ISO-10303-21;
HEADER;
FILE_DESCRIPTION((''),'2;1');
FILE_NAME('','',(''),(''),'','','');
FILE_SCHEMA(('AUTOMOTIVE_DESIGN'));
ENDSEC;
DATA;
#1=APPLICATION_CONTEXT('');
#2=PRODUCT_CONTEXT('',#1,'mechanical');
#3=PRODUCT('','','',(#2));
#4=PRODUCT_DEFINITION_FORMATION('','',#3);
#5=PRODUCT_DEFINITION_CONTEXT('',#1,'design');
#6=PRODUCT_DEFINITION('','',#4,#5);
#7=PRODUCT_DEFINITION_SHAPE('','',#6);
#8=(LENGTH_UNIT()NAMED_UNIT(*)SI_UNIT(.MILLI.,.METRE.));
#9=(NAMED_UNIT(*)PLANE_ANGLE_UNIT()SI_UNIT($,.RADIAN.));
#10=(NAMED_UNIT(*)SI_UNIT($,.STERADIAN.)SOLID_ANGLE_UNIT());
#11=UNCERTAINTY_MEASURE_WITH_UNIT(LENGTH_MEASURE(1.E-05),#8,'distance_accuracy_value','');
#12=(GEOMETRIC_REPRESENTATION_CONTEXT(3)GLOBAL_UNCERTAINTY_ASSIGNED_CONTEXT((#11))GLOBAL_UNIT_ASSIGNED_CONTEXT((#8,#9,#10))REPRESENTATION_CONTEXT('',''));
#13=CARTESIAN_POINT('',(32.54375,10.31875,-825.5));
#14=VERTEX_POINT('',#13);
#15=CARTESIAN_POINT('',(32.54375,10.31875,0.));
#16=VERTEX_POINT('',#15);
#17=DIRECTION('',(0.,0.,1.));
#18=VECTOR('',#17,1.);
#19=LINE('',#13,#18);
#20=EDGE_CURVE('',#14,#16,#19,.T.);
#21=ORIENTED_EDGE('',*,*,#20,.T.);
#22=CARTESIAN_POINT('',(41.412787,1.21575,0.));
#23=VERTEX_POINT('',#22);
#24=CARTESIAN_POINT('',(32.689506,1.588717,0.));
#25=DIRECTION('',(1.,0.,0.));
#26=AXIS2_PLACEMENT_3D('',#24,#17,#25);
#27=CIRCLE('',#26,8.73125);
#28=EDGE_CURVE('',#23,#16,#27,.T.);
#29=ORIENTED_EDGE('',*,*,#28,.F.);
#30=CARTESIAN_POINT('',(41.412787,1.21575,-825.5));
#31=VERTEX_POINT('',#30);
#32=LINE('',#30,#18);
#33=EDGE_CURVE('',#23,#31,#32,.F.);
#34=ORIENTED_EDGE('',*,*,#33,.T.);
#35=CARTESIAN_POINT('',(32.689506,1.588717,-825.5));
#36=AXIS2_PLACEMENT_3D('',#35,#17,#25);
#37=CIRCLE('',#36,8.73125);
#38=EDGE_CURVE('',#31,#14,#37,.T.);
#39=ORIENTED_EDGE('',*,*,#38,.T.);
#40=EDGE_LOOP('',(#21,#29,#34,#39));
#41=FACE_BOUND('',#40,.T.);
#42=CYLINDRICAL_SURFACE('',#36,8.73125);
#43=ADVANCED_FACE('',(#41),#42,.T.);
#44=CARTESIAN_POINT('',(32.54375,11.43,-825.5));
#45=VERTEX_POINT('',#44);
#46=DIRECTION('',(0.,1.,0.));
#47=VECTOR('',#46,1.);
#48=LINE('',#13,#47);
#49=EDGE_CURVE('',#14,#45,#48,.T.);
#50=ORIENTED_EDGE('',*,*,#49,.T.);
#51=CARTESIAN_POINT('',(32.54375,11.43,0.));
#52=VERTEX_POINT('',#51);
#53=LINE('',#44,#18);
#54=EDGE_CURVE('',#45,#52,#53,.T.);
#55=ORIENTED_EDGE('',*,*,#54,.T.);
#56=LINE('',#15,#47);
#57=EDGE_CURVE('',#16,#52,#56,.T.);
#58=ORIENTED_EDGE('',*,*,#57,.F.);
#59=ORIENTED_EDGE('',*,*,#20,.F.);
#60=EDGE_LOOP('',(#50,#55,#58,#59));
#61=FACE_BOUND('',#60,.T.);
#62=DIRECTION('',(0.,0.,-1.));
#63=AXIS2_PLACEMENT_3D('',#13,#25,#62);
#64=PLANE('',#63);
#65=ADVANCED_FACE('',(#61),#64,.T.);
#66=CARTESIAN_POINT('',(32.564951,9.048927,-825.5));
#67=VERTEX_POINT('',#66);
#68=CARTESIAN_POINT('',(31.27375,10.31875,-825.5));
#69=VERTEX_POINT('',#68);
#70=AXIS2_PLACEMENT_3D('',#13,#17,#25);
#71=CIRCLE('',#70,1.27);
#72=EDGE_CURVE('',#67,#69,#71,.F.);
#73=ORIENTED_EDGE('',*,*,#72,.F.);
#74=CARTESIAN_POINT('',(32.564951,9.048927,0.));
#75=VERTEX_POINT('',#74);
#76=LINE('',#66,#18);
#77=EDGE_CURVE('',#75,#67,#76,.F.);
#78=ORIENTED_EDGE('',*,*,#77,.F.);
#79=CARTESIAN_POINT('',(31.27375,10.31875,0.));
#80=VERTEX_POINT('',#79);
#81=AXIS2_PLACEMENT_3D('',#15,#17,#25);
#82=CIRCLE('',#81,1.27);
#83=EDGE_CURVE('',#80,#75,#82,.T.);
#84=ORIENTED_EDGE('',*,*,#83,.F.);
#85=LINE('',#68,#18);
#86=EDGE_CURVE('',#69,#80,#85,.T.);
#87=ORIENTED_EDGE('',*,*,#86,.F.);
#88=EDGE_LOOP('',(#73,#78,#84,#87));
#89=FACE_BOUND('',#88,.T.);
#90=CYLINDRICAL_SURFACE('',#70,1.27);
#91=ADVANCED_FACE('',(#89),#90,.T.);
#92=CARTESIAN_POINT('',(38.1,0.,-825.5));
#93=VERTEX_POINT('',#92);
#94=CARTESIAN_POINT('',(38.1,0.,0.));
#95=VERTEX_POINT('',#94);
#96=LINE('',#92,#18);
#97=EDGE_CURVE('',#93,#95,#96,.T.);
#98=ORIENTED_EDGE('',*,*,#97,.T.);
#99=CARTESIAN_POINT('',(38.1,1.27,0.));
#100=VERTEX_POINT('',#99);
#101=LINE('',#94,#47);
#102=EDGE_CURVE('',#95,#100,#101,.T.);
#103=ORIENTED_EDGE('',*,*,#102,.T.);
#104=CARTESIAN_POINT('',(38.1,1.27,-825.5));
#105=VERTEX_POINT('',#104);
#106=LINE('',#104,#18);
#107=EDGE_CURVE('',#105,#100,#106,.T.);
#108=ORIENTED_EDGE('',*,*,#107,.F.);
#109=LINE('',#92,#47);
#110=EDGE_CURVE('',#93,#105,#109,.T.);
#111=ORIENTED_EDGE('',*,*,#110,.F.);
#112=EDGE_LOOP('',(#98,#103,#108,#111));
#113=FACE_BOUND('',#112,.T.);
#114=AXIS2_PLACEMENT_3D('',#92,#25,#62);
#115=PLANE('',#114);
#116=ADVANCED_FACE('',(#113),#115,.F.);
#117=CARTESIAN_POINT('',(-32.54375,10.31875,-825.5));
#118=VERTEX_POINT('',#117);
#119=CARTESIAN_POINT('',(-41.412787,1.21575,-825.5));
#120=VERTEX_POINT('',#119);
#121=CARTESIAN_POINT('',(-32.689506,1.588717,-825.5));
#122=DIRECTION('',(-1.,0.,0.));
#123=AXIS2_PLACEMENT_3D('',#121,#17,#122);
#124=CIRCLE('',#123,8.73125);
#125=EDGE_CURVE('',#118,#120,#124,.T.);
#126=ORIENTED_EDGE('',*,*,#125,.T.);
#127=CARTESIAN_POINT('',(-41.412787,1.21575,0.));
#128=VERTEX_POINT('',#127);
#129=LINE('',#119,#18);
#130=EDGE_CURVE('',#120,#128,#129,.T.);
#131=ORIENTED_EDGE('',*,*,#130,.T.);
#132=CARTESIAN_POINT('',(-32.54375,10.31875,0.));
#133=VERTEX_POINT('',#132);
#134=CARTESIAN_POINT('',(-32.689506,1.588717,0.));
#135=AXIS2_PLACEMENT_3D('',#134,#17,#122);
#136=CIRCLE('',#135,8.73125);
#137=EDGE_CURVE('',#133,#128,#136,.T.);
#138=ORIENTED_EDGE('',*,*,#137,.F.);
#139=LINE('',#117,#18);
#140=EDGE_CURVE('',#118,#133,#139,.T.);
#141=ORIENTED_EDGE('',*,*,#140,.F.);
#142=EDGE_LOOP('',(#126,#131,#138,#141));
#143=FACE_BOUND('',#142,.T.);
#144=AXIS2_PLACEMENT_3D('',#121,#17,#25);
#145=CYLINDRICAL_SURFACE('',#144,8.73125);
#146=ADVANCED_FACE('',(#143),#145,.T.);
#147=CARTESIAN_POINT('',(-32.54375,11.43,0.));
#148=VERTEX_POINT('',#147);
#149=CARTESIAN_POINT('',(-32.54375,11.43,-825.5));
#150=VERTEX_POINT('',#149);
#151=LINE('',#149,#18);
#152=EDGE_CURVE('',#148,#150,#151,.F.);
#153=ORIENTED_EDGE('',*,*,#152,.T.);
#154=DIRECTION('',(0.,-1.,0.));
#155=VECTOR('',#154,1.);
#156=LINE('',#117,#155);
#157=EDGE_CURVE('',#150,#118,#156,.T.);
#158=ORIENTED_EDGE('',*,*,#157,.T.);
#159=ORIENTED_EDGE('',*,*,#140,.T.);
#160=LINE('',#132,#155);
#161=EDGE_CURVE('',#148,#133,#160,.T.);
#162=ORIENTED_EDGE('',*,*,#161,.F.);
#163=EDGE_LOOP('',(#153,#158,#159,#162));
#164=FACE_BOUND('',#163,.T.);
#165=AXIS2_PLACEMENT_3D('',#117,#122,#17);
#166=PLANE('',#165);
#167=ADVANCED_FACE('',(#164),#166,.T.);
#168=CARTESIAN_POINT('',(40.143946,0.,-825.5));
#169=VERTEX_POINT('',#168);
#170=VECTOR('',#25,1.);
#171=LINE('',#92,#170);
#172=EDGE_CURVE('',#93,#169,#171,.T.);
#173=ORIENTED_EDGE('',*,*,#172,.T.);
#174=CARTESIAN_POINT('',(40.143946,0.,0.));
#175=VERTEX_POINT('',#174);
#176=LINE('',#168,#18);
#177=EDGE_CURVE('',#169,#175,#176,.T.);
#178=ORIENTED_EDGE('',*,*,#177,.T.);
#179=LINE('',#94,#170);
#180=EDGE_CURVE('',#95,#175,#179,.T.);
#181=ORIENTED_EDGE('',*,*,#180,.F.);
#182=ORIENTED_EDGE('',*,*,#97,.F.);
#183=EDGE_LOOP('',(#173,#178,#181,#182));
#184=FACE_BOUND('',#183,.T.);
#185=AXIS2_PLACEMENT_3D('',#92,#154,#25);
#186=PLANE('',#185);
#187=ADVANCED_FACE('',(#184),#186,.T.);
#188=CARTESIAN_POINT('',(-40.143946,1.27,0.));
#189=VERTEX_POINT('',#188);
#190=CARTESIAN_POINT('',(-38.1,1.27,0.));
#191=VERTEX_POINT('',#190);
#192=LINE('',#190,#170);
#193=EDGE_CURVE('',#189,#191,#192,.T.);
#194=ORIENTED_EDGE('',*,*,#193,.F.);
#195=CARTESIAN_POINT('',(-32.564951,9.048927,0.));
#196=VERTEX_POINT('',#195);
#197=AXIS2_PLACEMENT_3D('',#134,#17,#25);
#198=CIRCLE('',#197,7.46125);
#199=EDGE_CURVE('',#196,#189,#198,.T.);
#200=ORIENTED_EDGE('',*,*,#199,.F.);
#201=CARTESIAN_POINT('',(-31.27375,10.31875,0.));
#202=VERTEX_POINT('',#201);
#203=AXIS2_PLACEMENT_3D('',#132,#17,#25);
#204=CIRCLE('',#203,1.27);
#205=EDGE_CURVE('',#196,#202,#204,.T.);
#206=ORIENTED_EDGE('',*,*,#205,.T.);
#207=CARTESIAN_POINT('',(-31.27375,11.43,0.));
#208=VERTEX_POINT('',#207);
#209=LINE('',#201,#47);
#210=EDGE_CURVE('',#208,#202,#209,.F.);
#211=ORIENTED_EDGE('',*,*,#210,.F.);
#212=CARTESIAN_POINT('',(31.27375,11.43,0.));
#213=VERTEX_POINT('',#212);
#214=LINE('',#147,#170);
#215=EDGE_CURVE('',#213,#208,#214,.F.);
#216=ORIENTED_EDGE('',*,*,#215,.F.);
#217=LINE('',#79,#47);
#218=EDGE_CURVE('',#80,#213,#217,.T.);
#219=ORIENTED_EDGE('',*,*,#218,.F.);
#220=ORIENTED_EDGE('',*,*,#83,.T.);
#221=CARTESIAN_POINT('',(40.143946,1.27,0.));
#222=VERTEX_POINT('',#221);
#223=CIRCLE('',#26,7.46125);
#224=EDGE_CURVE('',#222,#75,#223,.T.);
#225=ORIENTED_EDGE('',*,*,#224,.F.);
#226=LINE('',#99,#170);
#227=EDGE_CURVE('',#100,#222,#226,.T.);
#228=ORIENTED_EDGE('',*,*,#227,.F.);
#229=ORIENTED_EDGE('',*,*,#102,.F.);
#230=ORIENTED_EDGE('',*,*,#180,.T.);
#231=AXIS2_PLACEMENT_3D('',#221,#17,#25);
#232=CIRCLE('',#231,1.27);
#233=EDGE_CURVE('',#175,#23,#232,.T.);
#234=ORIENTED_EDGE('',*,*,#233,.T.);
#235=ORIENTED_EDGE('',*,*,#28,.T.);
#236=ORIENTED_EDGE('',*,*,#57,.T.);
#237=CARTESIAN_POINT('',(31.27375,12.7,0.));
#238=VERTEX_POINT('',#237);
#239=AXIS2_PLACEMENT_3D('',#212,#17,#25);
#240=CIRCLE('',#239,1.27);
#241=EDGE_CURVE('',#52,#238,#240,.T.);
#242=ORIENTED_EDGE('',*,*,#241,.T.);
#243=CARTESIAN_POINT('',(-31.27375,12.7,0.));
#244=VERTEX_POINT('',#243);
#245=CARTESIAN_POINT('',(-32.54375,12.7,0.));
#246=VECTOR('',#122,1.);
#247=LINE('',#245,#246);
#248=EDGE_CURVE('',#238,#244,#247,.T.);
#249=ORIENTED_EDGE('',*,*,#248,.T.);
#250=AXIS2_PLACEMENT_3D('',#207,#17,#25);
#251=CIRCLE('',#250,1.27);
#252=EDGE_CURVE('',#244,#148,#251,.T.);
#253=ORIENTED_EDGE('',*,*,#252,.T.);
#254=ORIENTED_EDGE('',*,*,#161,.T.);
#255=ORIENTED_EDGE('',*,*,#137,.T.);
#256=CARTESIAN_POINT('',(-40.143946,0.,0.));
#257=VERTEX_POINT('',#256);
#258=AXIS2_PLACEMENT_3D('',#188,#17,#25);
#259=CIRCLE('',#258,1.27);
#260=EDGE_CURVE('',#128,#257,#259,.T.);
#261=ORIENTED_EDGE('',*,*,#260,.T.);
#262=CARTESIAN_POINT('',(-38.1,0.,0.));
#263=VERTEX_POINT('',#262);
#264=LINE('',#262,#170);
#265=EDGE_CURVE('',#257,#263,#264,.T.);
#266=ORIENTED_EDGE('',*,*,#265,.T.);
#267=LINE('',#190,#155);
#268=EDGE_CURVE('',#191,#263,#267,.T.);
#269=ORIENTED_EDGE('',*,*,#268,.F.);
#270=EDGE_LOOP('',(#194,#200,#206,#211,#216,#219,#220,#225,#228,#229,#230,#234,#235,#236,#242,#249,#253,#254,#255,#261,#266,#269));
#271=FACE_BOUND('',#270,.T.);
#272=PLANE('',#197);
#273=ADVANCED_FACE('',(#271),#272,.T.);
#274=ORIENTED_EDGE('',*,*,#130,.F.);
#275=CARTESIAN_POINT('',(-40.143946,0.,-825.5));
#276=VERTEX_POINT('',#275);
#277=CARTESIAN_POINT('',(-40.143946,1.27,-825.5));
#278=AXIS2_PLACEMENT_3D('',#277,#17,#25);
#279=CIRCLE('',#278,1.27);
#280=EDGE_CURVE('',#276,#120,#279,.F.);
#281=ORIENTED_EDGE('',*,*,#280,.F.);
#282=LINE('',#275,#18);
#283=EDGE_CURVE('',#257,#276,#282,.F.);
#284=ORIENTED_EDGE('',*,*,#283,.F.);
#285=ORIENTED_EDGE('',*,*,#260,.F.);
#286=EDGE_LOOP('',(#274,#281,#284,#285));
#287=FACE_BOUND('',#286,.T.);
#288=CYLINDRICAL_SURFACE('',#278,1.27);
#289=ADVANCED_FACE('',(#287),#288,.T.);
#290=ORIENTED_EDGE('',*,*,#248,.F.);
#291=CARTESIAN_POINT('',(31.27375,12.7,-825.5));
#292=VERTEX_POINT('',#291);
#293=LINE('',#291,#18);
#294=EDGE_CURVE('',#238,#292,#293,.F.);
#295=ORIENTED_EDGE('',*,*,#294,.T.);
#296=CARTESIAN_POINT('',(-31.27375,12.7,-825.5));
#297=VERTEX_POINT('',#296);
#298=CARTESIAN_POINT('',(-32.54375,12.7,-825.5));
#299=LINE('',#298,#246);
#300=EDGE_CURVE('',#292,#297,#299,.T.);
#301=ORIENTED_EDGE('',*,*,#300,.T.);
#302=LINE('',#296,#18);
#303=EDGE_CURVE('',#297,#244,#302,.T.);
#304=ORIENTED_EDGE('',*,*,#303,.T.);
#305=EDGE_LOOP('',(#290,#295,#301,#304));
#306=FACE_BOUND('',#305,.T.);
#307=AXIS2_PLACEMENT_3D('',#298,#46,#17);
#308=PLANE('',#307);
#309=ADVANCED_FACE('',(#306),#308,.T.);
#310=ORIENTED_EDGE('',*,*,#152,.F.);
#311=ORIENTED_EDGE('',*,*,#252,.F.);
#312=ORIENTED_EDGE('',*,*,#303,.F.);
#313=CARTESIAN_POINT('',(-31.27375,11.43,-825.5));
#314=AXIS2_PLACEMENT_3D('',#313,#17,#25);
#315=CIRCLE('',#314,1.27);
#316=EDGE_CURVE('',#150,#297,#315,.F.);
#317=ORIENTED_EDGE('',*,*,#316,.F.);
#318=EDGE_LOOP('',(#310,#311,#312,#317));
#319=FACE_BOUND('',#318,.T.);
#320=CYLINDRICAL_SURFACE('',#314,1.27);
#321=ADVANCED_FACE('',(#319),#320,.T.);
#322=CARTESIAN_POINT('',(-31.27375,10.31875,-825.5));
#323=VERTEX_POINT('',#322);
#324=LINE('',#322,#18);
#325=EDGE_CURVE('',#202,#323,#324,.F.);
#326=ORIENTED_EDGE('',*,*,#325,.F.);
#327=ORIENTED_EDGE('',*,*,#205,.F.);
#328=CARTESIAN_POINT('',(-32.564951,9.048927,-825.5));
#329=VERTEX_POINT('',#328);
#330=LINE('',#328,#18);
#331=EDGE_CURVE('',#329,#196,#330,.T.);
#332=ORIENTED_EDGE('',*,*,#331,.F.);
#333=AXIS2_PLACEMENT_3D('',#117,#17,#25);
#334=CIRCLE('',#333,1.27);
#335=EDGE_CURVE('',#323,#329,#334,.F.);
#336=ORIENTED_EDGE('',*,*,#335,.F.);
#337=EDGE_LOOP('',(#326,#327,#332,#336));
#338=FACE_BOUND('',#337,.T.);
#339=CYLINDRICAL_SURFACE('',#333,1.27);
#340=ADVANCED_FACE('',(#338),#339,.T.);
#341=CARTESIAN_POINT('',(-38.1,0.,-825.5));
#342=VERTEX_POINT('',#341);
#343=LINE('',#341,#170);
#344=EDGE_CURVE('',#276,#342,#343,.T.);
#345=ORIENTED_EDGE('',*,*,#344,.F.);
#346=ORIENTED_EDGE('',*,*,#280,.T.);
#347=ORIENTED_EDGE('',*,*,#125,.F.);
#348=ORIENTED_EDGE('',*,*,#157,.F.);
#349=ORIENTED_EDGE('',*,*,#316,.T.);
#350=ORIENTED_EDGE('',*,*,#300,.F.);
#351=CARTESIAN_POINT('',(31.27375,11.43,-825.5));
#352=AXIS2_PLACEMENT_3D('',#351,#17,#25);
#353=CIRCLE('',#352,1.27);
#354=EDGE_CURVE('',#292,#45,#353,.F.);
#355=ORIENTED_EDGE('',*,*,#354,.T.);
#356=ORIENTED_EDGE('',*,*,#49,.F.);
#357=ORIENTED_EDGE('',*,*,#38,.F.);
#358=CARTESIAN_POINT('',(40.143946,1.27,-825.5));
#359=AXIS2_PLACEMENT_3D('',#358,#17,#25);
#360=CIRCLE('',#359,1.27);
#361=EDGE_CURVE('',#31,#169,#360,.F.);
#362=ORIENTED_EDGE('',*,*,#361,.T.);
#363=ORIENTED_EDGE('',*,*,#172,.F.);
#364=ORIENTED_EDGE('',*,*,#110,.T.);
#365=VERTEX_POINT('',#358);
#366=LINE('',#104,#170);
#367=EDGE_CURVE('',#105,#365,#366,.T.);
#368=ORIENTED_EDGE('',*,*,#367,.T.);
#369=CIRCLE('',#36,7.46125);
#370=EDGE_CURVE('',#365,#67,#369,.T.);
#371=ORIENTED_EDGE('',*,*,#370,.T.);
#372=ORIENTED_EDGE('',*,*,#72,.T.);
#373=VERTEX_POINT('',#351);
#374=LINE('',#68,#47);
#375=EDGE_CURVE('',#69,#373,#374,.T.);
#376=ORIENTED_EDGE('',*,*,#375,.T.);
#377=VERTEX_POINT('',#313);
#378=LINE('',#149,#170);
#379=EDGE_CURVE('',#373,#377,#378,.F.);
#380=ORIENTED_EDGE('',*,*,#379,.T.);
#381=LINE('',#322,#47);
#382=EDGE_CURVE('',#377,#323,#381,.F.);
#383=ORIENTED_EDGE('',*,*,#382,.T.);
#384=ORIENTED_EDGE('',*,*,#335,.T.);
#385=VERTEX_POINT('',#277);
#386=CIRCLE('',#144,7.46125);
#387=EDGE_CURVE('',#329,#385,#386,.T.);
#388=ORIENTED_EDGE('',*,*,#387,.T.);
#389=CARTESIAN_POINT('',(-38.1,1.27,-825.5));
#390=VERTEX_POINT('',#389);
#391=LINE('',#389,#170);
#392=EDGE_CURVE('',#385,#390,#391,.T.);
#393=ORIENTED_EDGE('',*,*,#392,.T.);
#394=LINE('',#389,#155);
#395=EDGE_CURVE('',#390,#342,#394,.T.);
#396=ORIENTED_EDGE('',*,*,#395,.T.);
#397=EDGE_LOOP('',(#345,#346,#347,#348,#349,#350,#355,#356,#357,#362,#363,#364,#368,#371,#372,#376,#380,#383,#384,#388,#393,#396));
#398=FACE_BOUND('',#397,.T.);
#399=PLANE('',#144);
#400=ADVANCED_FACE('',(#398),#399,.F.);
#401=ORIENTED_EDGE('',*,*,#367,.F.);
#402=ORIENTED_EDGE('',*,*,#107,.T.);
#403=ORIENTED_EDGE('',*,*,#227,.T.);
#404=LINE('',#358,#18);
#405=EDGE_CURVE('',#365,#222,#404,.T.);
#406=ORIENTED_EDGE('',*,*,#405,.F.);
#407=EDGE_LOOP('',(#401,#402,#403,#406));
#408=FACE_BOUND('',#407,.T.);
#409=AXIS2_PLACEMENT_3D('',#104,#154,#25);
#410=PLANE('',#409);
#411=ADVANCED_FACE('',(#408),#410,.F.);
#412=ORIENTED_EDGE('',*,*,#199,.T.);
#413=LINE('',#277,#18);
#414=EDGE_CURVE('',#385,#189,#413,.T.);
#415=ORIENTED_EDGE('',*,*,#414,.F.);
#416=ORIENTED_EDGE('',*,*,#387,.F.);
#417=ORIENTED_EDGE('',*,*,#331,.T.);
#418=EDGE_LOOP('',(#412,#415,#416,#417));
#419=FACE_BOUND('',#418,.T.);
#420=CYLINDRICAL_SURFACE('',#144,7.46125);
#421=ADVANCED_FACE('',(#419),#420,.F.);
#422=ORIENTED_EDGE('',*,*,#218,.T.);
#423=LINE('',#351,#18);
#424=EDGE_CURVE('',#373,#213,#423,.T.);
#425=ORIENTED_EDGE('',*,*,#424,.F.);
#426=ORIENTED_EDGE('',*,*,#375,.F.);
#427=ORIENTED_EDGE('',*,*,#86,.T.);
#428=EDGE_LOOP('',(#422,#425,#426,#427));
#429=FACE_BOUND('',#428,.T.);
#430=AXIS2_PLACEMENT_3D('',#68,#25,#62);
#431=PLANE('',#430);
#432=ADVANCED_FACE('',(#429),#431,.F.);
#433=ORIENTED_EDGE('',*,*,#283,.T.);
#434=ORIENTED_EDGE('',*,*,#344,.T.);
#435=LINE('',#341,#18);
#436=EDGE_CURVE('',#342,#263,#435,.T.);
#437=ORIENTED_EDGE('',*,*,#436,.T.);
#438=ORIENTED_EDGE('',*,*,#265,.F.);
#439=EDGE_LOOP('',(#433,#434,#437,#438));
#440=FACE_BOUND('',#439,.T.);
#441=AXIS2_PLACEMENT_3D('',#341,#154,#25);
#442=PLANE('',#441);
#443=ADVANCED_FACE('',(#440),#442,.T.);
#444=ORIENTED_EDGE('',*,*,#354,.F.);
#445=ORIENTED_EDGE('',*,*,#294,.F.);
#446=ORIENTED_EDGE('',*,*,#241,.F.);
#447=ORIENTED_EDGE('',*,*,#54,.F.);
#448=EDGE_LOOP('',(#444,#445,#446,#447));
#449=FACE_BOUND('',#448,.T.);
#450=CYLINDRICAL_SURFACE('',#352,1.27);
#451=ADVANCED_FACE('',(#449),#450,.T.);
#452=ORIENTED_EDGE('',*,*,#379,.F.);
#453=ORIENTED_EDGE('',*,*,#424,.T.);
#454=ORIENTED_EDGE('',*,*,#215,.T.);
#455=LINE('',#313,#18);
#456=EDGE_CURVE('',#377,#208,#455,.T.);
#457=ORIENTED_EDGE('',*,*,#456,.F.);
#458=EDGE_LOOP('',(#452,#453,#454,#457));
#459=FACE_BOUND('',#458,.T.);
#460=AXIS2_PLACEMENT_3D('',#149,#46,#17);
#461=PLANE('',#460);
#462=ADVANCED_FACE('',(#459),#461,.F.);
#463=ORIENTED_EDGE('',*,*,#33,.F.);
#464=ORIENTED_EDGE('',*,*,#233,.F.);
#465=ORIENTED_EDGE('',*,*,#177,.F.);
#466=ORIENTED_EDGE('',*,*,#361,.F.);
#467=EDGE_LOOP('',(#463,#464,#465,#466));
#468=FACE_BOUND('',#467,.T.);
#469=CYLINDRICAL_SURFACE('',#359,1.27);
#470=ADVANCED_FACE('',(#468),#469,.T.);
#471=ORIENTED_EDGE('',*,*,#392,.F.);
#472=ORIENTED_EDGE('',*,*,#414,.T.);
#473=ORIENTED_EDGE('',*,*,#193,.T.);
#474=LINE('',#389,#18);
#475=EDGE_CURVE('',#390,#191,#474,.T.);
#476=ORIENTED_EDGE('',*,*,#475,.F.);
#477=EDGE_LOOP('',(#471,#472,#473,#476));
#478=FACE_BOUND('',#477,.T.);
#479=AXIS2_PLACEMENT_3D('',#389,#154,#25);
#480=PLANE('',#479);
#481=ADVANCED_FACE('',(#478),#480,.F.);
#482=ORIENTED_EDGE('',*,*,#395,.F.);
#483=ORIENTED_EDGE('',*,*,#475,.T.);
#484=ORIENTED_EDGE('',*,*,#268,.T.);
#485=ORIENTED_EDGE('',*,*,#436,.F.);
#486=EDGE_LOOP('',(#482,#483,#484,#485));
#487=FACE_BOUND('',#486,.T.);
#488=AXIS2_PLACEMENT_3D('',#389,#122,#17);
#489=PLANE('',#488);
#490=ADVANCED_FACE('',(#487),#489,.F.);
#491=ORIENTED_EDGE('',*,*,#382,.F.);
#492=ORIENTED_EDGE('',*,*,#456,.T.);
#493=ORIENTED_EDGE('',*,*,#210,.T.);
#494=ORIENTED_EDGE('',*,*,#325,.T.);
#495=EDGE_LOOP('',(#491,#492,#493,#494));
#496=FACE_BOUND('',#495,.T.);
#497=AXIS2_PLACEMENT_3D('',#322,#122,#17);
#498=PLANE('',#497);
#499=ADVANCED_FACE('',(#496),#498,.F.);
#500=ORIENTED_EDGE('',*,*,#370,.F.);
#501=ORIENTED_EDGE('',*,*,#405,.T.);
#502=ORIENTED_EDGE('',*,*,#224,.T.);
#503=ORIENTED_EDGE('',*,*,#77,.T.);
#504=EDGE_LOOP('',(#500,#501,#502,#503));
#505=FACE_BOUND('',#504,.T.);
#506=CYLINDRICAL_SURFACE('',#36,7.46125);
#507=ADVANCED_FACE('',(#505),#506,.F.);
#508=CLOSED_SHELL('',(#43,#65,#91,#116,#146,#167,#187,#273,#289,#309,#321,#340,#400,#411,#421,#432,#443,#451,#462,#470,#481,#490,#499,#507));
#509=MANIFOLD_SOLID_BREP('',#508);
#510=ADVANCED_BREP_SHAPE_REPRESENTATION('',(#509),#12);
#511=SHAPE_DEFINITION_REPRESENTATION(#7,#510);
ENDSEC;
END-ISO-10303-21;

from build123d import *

# Parameters (mm, degrees)
EXTRUDE_THIN1_DEPTH = 825.5
FILLET1_R           = 1.27


with BuildPart() as part:
    # Sketch1 → Extrude-Thin1 (new body)
    with BuildSketch(Plane.XY):
        with BuildLine():
            Line((-38.1, 0), (-41.275, 0))
            ThreePointArc((-41.275, 0), (-39.354822583, 7.228599878), (-32.54375, 10.31875))
            Line((-32.54375, 10.31875), (-32.54375, 12.7))
            Line((-32.54375, 12.7), (32.54375, 12.7))
            Line((32.54375, 12.7), (32.54375, 10.31875))
            ThreePointArc((32.54375, 10.31875), (39.354822583, 7.228599878), (41.275, 0))
            Line((41.275, 0), (38.1, 0))
            Line((38.1, 0), (38.1, 1.27))
            Line((38.1, 1.27), (40.143945779, 1.27))
            ThreePointArc((40.143945779, 1.27), (37.560409803, 7.240667538), (31.27375, 8.914417078))
            Line((31.27375, 8.914417078), (31.27375, 11.43))
            Line((31.27375, 11.43), (-31.27375, 11.43))
            Line((-31.27375, 11.43), (-31.27375, 8.914417078))
            ThreePointArc((-31.27375, 8.914417078), (-37.560409803, 7.240667538), (-40.143945779, 1.27))
            Line((-40.143945779, 1.27), (-38.1, 1.27))
            Line((-38.1, 1.27), (-38.1, 0))
        make_face()
    extrude(amount=-EXTRUDE_THIN1_DEPTH)

    # Fillet1
    fillet1_edges = [part.edges().sort_by_distance(p)[0] for p in [
        (-41.275, 0, -412.75),
        (-32.54375, 12.7, -412.75),
        (32.54375, 12.7, -412.75),
        (41.275, 0, -412.75),
        (31.27375, 8.914417078, -412.75),
        (-31.27375, 8.914417078, -412.75),
    ]]
    fillet(fillet1_edges, radius=FILLET1_R)


solid = part.part
